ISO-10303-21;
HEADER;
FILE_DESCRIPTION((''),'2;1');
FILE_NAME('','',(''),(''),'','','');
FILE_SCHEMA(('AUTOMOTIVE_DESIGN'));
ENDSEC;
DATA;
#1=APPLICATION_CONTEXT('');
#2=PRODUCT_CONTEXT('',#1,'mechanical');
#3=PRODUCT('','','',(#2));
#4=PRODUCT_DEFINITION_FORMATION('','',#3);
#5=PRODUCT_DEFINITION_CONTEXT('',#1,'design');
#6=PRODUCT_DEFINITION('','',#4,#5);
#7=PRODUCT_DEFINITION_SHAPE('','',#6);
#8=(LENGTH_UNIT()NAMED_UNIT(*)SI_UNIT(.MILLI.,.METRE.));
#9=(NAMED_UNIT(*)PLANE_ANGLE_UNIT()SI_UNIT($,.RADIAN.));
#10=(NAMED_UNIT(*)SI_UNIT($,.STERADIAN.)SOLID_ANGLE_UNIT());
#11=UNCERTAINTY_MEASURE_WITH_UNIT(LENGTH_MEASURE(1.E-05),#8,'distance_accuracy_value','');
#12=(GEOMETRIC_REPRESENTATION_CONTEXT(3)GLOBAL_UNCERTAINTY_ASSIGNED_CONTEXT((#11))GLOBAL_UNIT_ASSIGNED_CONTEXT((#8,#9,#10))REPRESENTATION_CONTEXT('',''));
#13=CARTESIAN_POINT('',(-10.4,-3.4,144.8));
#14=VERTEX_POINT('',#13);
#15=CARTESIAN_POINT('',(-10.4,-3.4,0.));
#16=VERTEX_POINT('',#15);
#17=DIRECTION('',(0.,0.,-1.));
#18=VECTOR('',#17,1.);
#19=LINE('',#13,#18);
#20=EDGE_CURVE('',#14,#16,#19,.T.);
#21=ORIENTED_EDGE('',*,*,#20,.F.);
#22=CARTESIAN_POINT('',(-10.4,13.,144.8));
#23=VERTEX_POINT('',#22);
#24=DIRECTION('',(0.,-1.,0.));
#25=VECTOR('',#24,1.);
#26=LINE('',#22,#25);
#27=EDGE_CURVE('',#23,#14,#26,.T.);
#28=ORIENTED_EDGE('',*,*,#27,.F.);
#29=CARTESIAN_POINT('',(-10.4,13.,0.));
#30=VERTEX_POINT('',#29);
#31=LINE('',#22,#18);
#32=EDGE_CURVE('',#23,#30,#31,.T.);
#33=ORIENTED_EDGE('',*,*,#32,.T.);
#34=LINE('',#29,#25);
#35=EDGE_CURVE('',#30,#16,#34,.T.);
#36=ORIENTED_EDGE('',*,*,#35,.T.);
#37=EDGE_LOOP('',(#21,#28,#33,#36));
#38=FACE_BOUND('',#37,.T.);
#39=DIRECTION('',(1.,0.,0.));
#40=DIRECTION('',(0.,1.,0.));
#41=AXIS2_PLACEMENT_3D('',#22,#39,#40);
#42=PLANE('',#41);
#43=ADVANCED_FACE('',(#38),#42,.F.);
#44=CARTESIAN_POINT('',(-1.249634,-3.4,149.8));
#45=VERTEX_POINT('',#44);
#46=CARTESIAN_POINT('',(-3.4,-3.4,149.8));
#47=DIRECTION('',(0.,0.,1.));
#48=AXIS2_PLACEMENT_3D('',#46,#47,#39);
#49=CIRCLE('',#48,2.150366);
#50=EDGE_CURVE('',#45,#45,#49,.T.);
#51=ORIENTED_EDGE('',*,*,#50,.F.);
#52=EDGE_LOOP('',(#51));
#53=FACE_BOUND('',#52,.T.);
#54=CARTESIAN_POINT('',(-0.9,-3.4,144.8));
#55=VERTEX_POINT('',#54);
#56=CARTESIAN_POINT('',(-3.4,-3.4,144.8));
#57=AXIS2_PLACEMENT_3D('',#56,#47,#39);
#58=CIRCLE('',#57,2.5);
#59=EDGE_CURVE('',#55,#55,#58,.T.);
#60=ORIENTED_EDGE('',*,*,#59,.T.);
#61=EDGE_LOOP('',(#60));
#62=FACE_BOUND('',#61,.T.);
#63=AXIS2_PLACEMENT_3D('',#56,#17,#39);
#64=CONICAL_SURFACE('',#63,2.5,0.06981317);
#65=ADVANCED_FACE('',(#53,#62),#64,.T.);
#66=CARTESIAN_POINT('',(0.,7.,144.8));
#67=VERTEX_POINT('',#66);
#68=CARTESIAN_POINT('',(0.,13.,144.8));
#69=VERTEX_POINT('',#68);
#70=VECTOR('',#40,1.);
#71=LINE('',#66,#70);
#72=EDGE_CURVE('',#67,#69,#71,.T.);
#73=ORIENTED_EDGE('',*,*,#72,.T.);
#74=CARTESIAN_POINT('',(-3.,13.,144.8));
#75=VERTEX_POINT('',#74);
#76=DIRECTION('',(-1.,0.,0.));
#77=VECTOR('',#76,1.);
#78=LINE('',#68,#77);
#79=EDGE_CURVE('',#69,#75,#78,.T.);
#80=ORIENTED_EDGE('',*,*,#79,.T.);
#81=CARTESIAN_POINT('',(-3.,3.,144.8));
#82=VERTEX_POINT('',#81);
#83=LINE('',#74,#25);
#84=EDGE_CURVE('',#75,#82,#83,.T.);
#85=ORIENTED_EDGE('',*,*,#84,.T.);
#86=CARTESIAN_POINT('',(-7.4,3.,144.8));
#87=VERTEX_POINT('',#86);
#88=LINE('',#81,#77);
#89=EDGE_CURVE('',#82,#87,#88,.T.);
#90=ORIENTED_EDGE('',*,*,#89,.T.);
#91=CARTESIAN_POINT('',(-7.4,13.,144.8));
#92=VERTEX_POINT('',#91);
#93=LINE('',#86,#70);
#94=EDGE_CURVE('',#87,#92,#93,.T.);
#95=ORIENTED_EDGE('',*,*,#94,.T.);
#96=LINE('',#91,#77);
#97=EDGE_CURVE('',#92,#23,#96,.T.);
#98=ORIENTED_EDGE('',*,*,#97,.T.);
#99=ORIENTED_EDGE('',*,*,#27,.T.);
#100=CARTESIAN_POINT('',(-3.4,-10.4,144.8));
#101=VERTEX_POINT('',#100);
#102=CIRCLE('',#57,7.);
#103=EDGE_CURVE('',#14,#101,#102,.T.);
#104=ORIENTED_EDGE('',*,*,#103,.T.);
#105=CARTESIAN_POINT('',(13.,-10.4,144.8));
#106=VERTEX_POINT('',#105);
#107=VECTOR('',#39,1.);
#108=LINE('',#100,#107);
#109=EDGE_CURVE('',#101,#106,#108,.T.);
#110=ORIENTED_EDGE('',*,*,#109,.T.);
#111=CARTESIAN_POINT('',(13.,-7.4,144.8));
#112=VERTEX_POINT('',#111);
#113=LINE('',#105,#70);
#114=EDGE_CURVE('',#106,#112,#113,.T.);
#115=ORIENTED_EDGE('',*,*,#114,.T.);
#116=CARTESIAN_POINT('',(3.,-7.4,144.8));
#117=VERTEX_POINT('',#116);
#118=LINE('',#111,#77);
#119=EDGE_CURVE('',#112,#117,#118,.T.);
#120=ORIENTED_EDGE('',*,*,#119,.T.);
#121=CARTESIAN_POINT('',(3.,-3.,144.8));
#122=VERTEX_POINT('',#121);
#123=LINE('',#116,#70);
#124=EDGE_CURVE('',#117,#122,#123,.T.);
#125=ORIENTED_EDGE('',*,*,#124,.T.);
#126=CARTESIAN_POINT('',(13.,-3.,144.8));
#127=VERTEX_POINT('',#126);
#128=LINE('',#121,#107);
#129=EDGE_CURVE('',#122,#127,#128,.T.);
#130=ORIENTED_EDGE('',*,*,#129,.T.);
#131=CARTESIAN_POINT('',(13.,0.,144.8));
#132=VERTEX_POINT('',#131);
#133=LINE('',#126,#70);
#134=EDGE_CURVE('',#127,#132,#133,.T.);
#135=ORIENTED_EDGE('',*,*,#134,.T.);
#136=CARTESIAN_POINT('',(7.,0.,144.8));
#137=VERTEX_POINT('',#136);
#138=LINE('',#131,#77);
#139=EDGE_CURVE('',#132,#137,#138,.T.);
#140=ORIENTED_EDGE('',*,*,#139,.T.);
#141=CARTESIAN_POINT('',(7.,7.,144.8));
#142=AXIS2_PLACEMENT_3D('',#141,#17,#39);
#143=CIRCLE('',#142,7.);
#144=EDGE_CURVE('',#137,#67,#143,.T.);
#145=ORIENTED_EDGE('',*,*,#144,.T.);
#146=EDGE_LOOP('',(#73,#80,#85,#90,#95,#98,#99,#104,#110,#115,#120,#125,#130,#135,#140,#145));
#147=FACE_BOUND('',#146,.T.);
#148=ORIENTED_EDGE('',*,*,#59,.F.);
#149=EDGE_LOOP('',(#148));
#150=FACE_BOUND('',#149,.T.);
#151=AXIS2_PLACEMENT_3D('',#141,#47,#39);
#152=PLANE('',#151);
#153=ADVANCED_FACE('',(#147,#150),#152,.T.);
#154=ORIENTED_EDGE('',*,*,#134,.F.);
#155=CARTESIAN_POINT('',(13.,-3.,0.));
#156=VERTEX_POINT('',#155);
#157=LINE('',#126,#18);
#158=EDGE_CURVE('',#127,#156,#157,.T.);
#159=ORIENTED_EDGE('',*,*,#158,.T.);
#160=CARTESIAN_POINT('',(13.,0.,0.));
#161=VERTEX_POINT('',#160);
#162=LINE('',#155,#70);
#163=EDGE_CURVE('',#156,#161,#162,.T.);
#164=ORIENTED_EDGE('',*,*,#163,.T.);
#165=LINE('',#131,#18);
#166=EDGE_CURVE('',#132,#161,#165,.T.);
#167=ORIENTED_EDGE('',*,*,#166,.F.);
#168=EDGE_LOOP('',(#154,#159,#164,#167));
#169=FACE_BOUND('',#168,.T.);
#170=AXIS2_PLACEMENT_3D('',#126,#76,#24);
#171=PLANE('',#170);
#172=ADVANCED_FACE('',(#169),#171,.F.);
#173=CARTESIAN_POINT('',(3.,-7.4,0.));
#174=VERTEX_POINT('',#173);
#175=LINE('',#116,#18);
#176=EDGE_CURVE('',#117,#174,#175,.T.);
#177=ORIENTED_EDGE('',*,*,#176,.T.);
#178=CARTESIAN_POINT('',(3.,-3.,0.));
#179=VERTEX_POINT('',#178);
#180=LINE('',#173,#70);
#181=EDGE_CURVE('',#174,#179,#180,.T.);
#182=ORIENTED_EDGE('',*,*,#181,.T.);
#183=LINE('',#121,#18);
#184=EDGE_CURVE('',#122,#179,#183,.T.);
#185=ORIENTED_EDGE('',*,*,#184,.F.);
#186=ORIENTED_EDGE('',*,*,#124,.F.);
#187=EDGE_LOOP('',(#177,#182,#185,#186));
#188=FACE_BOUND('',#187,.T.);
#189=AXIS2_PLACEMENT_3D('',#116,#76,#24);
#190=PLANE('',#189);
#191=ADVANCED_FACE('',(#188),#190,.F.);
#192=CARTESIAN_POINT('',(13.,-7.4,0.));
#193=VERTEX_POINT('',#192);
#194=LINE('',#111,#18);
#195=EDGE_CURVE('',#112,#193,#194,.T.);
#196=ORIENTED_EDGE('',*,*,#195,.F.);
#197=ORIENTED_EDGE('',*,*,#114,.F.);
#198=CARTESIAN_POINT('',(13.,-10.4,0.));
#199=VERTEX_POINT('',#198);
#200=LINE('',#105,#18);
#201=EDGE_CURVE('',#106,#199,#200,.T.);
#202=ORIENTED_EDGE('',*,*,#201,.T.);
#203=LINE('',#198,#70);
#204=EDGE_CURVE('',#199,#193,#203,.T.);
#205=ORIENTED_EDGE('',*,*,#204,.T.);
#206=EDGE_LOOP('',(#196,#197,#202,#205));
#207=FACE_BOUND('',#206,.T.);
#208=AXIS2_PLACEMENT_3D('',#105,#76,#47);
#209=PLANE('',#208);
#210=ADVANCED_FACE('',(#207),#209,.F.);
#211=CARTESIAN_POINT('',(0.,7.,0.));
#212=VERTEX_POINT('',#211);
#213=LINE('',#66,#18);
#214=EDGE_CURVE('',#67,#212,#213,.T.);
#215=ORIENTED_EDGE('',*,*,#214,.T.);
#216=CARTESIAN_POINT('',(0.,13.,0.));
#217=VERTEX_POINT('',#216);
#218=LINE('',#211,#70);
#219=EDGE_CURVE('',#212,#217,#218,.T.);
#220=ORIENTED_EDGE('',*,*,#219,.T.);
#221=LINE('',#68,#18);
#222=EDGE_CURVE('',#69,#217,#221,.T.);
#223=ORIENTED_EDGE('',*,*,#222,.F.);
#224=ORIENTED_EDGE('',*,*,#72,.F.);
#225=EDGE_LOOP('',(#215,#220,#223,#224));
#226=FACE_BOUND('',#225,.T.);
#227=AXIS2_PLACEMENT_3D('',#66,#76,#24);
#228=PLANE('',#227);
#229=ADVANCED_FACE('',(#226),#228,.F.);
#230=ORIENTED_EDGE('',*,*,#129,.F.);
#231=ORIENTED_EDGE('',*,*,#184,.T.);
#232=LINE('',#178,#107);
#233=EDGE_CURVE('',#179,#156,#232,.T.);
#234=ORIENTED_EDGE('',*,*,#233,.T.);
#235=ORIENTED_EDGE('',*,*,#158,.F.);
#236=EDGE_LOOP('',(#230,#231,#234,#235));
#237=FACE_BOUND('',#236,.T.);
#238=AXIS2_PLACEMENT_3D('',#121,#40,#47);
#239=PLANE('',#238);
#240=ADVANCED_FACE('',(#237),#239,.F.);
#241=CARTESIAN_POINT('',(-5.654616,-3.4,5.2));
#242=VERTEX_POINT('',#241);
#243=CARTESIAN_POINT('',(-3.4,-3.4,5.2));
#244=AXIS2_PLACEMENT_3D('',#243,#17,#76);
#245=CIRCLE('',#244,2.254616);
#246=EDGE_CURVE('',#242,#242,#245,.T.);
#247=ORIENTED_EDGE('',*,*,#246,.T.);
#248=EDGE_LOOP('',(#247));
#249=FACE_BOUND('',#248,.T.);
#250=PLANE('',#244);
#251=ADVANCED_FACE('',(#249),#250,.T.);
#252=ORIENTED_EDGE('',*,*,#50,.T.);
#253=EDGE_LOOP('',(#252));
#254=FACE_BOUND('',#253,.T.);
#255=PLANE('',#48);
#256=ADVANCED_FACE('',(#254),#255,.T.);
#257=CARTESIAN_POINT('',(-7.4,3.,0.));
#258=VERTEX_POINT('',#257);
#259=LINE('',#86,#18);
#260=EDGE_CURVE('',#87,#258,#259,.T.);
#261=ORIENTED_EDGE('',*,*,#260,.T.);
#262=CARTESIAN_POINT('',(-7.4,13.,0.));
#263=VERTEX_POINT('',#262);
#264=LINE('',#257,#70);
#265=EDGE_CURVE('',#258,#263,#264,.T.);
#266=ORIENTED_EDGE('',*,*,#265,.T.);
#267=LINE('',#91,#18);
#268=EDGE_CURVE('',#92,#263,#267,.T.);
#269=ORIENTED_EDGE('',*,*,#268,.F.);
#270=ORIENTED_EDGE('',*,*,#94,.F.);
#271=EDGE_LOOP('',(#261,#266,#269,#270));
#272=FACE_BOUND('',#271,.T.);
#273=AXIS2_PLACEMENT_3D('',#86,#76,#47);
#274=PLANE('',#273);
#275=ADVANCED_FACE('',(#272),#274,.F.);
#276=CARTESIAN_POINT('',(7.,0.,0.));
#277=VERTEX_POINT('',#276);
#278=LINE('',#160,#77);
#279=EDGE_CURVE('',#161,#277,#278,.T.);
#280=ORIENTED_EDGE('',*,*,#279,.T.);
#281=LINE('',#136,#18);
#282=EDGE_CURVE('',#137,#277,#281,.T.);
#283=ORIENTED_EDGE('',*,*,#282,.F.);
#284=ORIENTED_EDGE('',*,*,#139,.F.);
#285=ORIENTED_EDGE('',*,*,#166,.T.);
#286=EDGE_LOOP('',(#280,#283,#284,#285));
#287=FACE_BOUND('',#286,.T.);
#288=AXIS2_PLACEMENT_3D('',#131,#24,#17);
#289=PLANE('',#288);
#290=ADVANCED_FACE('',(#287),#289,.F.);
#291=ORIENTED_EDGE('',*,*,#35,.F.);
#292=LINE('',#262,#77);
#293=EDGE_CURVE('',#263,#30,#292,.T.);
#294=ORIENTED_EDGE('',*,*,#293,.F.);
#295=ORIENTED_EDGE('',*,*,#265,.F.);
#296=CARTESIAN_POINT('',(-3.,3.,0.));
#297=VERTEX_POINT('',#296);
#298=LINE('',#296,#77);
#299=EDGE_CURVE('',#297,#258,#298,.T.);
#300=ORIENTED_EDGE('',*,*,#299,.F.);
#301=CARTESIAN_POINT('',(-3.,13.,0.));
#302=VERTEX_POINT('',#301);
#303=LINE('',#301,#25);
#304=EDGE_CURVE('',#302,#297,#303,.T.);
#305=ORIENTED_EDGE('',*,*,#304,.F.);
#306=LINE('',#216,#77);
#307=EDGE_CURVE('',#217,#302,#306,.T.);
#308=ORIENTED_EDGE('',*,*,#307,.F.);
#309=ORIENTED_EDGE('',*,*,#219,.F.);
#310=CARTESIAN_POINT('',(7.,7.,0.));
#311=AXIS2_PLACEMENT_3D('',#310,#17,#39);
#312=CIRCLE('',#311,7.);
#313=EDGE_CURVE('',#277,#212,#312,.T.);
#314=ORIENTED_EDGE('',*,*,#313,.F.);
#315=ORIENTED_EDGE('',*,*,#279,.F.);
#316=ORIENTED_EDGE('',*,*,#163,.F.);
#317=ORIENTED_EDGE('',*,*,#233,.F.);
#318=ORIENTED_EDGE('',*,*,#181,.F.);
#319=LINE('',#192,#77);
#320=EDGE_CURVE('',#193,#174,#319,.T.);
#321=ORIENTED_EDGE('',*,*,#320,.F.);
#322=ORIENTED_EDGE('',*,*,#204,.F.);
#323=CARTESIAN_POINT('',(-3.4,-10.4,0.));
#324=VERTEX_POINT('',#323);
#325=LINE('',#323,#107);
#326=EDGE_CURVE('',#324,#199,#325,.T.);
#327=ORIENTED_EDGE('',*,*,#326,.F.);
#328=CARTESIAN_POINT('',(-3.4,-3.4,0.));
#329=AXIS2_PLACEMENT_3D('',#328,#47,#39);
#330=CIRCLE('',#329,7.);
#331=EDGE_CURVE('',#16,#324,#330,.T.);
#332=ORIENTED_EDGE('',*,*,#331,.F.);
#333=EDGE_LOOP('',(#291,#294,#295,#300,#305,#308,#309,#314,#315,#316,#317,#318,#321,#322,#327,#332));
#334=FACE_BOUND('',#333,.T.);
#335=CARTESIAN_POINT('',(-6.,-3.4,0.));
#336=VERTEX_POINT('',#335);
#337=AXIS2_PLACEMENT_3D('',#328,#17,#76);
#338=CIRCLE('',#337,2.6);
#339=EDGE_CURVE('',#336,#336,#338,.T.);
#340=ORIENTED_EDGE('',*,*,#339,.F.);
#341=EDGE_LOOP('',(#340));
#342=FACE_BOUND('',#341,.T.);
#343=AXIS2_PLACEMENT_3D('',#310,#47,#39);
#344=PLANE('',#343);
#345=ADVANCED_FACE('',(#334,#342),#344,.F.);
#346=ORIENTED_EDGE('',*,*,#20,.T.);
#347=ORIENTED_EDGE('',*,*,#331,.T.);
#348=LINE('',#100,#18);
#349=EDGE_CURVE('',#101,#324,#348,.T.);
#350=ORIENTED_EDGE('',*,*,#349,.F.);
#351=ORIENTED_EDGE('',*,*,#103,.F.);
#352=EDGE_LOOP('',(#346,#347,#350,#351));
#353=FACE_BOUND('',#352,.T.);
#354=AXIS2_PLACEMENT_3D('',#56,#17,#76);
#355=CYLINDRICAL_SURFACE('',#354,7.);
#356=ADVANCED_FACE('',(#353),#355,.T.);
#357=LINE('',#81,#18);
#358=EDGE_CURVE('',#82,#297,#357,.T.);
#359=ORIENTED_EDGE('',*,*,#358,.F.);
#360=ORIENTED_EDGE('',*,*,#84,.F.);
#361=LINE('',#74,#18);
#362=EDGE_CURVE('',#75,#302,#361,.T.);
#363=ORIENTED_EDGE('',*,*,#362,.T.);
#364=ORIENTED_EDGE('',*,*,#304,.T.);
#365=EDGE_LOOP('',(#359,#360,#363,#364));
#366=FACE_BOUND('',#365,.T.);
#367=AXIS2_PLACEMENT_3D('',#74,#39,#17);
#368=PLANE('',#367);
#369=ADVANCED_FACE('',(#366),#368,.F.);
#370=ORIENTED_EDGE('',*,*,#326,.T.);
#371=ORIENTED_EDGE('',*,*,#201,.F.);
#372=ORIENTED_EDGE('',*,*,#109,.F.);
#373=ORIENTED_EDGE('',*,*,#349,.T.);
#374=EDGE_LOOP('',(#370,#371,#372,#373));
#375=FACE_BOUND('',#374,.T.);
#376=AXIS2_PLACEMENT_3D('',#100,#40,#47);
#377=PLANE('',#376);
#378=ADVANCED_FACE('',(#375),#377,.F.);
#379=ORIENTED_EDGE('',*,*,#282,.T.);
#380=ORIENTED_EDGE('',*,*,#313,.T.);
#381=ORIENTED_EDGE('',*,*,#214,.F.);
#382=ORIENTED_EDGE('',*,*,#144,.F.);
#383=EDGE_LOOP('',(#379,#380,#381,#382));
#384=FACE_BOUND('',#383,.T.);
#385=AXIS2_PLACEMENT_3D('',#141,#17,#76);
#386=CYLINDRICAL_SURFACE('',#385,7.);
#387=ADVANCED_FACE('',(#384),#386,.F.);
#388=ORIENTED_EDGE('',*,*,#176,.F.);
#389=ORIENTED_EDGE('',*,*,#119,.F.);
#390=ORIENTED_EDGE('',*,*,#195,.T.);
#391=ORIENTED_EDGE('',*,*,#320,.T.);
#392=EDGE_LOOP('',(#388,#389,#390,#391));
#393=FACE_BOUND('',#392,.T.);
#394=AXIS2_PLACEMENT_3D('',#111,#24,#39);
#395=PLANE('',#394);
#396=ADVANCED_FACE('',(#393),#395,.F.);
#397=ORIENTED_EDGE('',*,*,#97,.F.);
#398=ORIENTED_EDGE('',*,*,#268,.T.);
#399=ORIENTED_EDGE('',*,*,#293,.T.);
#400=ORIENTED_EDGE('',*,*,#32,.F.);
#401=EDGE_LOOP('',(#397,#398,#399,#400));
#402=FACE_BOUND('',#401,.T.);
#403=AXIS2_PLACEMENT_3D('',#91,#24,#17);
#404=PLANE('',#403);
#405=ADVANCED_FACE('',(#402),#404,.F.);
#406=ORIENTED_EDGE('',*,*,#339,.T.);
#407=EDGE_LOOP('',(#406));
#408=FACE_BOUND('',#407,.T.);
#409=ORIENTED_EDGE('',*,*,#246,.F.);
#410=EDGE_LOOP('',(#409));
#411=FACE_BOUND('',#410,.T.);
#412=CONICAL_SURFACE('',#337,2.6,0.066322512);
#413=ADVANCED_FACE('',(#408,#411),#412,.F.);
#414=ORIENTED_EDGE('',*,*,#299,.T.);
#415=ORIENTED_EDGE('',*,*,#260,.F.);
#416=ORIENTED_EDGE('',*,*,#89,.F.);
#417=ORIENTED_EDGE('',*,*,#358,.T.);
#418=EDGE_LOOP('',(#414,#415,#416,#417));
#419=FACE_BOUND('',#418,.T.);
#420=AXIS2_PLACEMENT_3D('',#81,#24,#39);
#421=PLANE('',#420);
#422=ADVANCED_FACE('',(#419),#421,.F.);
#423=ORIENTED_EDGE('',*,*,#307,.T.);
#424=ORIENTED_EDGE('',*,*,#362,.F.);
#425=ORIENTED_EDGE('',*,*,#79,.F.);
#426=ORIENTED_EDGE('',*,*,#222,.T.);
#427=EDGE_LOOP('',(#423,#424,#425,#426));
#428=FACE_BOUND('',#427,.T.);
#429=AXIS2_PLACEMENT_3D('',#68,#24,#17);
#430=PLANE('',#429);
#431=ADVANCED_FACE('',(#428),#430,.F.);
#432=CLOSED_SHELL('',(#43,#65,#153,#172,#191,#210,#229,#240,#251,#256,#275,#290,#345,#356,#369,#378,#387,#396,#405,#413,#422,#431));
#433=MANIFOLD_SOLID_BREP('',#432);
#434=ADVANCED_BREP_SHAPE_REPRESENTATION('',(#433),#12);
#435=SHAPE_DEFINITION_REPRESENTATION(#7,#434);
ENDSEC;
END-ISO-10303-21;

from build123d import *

# Parameters (mm, degrees)
EXTRUDE1_DEPTH     = 144.8
SKETCH2_R          = 2.5
EXTRUDE2_DEPTH     = 5
EXTRUDE2_TAPER     = 4
SKETCH3_R          = 2.6
CUT_EXTRUDE1_DEPTH = 5.2
CUT_EXTRUDE1_DRAFT = -3.8


with BuildPart() as part:
    # Sketch1 → Extrude1 (new body)
    with BuildSketch(Plane.XY):
        with BuildLine():
            Line((-3.4, -10.4), (13, -10.4))
            Line((13, -10.4), (13, -7.4))
            Line((13, -7.4), (3, -7.4))
            Line((3, -7.4), (3, -3))
            Line((3, -3), (13, -3))
            Line((13, -3), (13, 0))
            Line((13, 0), (7, 0))
            ThreePointArc((7, 0), (2.050252532, 2.050252532), (0, 7))
            Line((0, 7), (0, 13))
            Line((0, 13), (-3, 13))
            Line((-3, 13), (-3, 3))
            Line((-3, 3), (-7.4, 3))
            Line((-7.4, 3), (-7.4, 13))
            Line((-7.4, 13), (-10.4, 13))
            Line((-10.4, 13), (-10.4, -3.4))
            ThreePointArc((-10.4, -3.4), (-8.349747468, -8.349747468), (-3.4, -10.4))
        make_face()
    extrude(amount=EXTRUDE1_DEPTH)

    # Sketch2 → Extrude2 (add)
    with BuildSketch(Plane.XY.offset(144.8)):
        with Locations((-3.4, -3.4)):
            Circle(SKETCH2_R)
    extrude(amount=EXTRUDE2_DEPTH, taper=EXTRUDE2_TAPER)


with BuildPart() as cut_extrude1_tool:
    # Sketch3 → Cut-Extrude1 (with draft: the straight prism first)
    with BuildSketch(Plane(origin=(0, 0, 0), x_dir=(-1, 0, 0), z_dir=(0, 0, -1))):
        with Locations((3.4, -3.4)):
            Circle(SKETCH3_R)
    extrude(amount=-CUT_EXTRUDE1_DEPTH)
    # Cut-Extrude1: the draft: its side faces are tilted about the plane it starts from
    cut_extrude1_sides = [cut_extrude1_tool.faces().sort_by_distance(p)[0] for p in [
        (-0.8, -3.4, 2.6),
    ]]
    draft(cut_extrude1_sides, Plane(origin=(0, 0, 0), x_dir=(-1, 0, 0), z_dir=(0, 0, -1)), CUT_EXTRUDE1_DRAFT)


with BuildPart() as part_1:
    add(part.part)

    # Cut-Extrude1: cut by cut_extrude1_tool
    add(cut_extrude1_tool.part, mode=Mode.SUBTRACT)


solid = part_1.part
